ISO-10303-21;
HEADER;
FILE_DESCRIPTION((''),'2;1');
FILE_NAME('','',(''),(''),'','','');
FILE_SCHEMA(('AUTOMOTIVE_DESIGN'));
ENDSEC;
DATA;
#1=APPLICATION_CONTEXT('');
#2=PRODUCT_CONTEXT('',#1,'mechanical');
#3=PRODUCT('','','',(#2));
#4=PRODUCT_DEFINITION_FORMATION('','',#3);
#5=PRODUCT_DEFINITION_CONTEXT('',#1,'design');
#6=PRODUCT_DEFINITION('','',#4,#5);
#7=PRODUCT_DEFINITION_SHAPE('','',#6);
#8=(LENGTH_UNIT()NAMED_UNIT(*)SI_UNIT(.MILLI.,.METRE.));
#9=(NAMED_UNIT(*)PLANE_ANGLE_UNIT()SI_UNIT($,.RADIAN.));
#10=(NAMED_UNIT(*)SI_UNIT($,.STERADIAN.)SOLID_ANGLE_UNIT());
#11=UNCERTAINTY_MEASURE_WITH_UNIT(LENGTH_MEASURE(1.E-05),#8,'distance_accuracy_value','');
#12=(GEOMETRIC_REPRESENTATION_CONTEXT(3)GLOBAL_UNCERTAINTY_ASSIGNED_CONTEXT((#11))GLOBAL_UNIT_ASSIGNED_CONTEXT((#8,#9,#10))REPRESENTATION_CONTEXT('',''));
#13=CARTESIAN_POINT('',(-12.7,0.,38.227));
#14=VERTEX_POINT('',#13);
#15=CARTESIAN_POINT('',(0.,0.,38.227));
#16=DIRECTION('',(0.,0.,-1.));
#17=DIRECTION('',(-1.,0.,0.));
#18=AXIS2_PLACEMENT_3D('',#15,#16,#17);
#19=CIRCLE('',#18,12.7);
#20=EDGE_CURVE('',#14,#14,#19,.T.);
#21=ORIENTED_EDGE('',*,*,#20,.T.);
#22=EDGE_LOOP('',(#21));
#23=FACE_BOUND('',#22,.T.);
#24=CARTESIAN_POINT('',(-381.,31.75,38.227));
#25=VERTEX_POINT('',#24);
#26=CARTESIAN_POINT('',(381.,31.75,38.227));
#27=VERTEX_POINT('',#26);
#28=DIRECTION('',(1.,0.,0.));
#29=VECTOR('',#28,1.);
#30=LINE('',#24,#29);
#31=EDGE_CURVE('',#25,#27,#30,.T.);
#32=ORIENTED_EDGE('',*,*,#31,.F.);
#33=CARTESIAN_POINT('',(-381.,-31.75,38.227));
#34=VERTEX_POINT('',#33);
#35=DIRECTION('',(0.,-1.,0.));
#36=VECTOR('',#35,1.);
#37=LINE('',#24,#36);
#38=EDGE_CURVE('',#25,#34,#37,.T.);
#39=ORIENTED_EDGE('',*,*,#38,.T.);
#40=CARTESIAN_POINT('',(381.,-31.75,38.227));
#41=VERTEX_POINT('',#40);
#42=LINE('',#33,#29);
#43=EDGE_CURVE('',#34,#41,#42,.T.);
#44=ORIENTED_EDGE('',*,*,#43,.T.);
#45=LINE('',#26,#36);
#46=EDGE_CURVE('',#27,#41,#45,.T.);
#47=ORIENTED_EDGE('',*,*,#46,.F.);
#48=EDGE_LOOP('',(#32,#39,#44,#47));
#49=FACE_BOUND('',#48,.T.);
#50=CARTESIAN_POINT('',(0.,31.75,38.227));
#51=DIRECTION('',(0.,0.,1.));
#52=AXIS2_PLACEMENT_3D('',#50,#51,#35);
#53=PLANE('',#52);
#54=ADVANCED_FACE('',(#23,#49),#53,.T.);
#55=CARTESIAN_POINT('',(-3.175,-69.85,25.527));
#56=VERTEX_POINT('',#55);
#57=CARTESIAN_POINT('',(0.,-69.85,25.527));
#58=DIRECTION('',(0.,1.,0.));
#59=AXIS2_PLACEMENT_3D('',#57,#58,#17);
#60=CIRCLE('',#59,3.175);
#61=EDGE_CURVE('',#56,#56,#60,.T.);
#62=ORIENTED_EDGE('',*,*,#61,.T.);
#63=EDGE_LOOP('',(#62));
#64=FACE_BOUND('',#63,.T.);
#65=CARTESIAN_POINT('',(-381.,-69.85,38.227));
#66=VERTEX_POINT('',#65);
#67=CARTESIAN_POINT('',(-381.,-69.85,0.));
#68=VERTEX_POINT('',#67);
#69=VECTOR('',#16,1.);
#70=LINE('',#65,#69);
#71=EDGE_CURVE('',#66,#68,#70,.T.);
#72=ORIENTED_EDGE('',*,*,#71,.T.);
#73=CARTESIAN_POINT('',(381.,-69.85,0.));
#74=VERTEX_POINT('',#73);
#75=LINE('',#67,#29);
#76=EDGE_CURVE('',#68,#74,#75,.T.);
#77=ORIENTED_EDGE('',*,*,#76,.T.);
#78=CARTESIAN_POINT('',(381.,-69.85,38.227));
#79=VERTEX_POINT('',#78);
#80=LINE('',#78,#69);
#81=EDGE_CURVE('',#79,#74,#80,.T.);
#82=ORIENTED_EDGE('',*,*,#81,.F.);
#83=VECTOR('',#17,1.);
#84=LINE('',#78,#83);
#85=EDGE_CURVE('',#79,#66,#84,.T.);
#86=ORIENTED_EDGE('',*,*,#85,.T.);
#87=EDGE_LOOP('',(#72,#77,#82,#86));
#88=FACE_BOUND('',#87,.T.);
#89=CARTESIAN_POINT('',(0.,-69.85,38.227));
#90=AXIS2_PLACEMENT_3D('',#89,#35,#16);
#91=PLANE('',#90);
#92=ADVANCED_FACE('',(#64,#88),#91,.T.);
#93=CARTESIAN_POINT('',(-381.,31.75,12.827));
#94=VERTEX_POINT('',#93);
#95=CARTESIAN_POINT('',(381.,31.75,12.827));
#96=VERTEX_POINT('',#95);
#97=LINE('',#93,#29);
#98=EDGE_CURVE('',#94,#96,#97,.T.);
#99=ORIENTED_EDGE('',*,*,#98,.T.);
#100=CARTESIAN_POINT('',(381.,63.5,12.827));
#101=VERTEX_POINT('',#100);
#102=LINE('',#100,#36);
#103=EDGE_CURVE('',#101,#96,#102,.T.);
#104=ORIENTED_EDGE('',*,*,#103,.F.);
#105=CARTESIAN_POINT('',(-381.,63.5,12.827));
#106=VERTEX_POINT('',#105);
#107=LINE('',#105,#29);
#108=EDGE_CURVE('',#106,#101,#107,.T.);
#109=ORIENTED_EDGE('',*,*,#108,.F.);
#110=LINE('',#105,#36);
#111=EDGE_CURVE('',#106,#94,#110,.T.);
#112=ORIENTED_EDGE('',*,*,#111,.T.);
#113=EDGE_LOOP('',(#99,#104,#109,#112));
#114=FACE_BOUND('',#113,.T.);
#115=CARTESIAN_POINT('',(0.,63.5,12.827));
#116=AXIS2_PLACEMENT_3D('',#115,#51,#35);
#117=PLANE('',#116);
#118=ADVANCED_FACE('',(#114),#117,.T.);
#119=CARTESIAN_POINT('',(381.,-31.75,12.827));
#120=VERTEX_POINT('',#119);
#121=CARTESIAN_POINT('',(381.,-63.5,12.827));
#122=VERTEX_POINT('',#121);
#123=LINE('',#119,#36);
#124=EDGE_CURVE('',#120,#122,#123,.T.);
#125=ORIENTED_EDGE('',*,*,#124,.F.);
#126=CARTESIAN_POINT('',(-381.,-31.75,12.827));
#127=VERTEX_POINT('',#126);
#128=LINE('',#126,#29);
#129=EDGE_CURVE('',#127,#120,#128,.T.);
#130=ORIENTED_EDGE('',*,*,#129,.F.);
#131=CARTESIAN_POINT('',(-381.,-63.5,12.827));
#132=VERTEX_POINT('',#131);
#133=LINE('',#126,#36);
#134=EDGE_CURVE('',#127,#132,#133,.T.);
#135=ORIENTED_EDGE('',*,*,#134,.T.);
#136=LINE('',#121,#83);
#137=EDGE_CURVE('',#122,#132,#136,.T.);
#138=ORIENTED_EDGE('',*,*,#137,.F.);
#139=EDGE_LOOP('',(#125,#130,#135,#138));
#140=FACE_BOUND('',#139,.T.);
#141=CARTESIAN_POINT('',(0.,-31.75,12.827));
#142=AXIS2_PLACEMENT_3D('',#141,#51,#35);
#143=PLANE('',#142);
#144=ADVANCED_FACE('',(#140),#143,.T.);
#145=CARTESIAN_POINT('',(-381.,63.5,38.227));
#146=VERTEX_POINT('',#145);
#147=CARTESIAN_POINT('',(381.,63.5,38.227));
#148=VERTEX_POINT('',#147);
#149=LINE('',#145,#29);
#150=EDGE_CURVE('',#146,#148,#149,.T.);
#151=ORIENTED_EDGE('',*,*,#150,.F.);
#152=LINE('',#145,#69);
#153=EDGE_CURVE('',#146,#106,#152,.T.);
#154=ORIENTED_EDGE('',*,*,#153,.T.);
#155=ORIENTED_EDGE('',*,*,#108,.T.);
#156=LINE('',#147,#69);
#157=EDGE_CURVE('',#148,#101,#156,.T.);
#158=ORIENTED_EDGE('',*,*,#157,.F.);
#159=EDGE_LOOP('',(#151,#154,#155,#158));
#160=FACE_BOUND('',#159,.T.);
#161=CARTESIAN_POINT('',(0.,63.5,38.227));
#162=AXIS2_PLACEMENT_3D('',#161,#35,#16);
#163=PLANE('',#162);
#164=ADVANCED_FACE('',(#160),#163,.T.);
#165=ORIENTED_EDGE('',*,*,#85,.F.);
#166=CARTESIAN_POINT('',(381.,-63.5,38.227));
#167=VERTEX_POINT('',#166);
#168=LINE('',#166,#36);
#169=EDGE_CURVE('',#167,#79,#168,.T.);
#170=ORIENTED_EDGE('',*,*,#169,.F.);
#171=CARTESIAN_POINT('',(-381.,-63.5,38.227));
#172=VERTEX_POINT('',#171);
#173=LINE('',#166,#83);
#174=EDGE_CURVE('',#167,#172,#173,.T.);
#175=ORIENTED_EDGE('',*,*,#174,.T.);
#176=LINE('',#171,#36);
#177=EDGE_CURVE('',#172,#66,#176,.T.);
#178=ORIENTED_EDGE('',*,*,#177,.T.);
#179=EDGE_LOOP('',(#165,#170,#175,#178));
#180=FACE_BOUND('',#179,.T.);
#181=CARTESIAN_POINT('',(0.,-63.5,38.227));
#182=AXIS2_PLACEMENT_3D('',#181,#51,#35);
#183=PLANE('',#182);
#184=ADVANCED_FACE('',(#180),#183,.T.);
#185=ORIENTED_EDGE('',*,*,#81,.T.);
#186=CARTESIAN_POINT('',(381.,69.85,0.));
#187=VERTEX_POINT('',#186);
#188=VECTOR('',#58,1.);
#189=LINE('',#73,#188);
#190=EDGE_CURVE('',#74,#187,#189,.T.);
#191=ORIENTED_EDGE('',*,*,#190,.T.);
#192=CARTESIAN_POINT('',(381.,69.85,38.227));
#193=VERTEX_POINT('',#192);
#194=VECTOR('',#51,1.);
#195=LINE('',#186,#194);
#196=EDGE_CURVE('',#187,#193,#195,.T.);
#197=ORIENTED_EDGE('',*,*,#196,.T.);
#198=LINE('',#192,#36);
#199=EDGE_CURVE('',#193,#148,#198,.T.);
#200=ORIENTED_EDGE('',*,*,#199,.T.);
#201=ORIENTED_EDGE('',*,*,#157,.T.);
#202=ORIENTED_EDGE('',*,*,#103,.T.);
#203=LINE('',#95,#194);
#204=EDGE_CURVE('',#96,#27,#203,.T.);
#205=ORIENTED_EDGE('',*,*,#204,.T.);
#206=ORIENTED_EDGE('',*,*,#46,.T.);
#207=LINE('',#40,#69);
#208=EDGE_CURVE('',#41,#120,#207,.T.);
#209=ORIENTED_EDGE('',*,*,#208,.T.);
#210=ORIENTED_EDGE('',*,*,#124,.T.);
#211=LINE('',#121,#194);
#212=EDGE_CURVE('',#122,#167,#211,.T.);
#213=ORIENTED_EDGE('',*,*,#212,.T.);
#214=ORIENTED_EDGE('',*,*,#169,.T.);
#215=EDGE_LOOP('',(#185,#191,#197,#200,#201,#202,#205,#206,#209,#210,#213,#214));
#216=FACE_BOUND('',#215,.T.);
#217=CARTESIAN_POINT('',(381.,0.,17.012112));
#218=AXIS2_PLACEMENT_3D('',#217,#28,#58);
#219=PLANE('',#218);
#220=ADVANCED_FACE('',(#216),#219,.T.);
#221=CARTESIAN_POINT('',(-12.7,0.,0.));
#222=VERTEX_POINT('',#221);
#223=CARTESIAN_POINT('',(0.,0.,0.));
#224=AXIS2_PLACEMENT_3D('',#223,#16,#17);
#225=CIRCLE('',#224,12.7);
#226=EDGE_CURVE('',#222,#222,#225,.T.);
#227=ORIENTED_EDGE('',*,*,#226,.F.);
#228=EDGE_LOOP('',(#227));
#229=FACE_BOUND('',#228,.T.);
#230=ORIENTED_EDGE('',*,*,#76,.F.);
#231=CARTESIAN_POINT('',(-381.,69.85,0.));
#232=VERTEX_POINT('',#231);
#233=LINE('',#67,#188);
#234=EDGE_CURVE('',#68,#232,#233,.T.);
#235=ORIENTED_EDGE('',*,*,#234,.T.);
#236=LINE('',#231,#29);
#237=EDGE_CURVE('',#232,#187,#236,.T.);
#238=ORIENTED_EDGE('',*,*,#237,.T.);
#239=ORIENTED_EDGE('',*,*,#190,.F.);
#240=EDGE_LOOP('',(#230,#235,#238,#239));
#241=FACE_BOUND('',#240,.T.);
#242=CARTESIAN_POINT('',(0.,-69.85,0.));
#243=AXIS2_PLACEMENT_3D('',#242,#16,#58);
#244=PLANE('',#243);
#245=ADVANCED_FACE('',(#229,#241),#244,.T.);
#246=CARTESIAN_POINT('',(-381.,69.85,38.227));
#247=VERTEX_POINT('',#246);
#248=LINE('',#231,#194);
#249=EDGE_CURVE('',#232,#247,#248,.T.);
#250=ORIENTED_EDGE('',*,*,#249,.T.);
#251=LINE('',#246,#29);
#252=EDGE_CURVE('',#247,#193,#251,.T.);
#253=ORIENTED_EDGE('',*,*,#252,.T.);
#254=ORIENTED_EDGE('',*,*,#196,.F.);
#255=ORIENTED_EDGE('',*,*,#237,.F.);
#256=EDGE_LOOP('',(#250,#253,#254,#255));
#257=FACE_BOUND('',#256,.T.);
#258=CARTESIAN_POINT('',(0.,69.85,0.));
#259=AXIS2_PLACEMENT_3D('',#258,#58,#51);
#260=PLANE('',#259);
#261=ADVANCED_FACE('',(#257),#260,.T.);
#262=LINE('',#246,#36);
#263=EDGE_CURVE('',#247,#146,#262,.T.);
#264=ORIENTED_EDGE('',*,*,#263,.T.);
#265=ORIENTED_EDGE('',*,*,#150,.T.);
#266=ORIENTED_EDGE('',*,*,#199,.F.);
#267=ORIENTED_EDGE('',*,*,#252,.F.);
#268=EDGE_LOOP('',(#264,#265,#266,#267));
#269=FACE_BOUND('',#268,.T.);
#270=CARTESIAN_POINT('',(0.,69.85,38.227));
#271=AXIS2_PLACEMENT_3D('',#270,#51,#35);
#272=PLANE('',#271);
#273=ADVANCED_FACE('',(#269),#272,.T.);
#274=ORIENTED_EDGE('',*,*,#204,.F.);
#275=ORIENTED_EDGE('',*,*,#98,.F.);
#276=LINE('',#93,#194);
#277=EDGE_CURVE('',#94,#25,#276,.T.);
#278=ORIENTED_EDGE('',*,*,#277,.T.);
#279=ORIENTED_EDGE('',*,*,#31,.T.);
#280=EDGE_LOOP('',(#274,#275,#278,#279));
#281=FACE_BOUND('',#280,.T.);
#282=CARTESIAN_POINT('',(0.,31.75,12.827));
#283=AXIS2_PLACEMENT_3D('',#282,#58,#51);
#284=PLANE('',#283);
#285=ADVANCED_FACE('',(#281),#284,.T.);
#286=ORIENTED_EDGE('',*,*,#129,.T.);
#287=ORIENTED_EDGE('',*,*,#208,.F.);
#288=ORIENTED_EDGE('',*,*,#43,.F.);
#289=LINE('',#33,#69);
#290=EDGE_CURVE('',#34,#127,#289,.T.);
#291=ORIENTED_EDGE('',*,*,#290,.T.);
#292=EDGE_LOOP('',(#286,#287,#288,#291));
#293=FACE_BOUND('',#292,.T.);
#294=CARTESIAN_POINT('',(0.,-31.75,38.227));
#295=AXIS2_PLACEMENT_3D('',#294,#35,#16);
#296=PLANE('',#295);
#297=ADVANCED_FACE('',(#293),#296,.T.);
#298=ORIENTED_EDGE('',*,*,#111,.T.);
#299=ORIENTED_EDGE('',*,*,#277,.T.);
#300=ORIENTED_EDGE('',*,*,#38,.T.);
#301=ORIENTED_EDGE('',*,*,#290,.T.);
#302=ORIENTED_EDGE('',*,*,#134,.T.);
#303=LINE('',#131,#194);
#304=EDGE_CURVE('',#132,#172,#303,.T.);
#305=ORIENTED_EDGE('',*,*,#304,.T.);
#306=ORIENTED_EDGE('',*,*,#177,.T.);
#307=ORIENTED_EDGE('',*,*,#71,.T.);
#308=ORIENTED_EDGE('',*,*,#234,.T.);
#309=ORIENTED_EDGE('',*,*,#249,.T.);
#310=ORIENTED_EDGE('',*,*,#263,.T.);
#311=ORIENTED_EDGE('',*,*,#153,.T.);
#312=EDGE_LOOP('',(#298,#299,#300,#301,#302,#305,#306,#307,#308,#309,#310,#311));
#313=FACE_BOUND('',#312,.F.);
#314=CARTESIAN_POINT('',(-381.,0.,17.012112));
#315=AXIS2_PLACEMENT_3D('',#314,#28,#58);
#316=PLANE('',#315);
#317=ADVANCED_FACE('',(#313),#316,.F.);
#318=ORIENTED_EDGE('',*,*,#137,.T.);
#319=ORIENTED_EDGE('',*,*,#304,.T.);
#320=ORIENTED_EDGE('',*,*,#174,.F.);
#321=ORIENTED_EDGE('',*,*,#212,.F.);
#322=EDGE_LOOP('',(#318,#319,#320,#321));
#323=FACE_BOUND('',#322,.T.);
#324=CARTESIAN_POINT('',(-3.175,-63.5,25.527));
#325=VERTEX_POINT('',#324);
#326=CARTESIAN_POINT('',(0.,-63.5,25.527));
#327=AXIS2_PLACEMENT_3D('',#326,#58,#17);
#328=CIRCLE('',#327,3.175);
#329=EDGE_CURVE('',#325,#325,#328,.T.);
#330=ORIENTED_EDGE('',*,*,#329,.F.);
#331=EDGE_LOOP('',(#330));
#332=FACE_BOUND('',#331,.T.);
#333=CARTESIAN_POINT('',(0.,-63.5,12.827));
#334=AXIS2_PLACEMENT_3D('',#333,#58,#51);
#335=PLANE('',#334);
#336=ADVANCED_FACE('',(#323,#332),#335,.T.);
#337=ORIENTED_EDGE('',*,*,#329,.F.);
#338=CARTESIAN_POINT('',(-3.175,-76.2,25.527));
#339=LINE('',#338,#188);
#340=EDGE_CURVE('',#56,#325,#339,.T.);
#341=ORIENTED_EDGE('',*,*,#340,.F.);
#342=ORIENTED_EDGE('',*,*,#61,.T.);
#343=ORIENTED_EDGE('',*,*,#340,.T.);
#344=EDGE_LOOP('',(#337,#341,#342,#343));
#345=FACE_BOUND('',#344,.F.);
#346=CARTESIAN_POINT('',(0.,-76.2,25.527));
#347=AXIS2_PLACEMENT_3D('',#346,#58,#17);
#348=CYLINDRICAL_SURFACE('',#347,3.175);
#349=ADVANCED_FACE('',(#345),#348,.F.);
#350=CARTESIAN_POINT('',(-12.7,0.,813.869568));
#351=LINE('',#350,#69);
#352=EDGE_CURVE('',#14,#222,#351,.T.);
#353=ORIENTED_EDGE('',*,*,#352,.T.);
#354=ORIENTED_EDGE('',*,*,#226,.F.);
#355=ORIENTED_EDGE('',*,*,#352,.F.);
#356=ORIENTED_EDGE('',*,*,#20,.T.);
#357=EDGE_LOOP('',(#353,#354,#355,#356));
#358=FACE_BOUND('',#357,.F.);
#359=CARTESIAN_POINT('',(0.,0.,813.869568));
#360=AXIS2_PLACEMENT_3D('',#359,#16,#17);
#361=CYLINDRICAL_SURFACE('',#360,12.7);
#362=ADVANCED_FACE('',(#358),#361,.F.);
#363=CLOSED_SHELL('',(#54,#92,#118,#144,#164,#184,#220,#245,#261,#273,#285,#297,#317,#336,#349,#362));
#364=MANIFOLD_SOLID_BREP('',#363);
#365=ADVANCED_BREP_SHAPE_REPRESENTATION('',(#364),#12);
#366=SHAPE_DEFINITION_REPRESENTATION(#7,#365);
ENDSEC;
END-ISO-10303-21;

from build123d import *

# Parameters (mm, degrees)
F1_DEPTH      = 381
F1_DEPTH_BACK = 381
F3_D          = 6.35
F3_DEPTH      = 6.35
F5_D          = 25.4


with BuildPart() as f1:
    # F0 (on Right) → F1 (new body, two sides)
    with BuildSketch(Plane.YZ) as f1_sk:
        Polygon((-69.85, 38.227), (-69.85, 0), (69.85, 0), (69.85, 38.227), (63.5, 38.227), (63.5, 12.827), (31.75, 12.827), (31.75, 38.227), (-31.75, 38.227), (-31.75, 12.827), (-63.5, 12.827), (-63.5, 38.227), align=None)
    extrude(amount=F1_DEPTH)
    extrude(f1_sk.sketch, amount=-F1_DEPTH_BACK)

    # F3
    with Locations(Plane.XZ.offset(69.85)):
        with Locations((0, 25.527)):
            Hole(F3_D / 2, depth=F3_DEPTH)

    # F5 (through all)
    with Locations(Plane.XY.offset(38.227)):
        with Locations((0, 0)):
            Hole(F5_D / 2)


solid = f1.part
